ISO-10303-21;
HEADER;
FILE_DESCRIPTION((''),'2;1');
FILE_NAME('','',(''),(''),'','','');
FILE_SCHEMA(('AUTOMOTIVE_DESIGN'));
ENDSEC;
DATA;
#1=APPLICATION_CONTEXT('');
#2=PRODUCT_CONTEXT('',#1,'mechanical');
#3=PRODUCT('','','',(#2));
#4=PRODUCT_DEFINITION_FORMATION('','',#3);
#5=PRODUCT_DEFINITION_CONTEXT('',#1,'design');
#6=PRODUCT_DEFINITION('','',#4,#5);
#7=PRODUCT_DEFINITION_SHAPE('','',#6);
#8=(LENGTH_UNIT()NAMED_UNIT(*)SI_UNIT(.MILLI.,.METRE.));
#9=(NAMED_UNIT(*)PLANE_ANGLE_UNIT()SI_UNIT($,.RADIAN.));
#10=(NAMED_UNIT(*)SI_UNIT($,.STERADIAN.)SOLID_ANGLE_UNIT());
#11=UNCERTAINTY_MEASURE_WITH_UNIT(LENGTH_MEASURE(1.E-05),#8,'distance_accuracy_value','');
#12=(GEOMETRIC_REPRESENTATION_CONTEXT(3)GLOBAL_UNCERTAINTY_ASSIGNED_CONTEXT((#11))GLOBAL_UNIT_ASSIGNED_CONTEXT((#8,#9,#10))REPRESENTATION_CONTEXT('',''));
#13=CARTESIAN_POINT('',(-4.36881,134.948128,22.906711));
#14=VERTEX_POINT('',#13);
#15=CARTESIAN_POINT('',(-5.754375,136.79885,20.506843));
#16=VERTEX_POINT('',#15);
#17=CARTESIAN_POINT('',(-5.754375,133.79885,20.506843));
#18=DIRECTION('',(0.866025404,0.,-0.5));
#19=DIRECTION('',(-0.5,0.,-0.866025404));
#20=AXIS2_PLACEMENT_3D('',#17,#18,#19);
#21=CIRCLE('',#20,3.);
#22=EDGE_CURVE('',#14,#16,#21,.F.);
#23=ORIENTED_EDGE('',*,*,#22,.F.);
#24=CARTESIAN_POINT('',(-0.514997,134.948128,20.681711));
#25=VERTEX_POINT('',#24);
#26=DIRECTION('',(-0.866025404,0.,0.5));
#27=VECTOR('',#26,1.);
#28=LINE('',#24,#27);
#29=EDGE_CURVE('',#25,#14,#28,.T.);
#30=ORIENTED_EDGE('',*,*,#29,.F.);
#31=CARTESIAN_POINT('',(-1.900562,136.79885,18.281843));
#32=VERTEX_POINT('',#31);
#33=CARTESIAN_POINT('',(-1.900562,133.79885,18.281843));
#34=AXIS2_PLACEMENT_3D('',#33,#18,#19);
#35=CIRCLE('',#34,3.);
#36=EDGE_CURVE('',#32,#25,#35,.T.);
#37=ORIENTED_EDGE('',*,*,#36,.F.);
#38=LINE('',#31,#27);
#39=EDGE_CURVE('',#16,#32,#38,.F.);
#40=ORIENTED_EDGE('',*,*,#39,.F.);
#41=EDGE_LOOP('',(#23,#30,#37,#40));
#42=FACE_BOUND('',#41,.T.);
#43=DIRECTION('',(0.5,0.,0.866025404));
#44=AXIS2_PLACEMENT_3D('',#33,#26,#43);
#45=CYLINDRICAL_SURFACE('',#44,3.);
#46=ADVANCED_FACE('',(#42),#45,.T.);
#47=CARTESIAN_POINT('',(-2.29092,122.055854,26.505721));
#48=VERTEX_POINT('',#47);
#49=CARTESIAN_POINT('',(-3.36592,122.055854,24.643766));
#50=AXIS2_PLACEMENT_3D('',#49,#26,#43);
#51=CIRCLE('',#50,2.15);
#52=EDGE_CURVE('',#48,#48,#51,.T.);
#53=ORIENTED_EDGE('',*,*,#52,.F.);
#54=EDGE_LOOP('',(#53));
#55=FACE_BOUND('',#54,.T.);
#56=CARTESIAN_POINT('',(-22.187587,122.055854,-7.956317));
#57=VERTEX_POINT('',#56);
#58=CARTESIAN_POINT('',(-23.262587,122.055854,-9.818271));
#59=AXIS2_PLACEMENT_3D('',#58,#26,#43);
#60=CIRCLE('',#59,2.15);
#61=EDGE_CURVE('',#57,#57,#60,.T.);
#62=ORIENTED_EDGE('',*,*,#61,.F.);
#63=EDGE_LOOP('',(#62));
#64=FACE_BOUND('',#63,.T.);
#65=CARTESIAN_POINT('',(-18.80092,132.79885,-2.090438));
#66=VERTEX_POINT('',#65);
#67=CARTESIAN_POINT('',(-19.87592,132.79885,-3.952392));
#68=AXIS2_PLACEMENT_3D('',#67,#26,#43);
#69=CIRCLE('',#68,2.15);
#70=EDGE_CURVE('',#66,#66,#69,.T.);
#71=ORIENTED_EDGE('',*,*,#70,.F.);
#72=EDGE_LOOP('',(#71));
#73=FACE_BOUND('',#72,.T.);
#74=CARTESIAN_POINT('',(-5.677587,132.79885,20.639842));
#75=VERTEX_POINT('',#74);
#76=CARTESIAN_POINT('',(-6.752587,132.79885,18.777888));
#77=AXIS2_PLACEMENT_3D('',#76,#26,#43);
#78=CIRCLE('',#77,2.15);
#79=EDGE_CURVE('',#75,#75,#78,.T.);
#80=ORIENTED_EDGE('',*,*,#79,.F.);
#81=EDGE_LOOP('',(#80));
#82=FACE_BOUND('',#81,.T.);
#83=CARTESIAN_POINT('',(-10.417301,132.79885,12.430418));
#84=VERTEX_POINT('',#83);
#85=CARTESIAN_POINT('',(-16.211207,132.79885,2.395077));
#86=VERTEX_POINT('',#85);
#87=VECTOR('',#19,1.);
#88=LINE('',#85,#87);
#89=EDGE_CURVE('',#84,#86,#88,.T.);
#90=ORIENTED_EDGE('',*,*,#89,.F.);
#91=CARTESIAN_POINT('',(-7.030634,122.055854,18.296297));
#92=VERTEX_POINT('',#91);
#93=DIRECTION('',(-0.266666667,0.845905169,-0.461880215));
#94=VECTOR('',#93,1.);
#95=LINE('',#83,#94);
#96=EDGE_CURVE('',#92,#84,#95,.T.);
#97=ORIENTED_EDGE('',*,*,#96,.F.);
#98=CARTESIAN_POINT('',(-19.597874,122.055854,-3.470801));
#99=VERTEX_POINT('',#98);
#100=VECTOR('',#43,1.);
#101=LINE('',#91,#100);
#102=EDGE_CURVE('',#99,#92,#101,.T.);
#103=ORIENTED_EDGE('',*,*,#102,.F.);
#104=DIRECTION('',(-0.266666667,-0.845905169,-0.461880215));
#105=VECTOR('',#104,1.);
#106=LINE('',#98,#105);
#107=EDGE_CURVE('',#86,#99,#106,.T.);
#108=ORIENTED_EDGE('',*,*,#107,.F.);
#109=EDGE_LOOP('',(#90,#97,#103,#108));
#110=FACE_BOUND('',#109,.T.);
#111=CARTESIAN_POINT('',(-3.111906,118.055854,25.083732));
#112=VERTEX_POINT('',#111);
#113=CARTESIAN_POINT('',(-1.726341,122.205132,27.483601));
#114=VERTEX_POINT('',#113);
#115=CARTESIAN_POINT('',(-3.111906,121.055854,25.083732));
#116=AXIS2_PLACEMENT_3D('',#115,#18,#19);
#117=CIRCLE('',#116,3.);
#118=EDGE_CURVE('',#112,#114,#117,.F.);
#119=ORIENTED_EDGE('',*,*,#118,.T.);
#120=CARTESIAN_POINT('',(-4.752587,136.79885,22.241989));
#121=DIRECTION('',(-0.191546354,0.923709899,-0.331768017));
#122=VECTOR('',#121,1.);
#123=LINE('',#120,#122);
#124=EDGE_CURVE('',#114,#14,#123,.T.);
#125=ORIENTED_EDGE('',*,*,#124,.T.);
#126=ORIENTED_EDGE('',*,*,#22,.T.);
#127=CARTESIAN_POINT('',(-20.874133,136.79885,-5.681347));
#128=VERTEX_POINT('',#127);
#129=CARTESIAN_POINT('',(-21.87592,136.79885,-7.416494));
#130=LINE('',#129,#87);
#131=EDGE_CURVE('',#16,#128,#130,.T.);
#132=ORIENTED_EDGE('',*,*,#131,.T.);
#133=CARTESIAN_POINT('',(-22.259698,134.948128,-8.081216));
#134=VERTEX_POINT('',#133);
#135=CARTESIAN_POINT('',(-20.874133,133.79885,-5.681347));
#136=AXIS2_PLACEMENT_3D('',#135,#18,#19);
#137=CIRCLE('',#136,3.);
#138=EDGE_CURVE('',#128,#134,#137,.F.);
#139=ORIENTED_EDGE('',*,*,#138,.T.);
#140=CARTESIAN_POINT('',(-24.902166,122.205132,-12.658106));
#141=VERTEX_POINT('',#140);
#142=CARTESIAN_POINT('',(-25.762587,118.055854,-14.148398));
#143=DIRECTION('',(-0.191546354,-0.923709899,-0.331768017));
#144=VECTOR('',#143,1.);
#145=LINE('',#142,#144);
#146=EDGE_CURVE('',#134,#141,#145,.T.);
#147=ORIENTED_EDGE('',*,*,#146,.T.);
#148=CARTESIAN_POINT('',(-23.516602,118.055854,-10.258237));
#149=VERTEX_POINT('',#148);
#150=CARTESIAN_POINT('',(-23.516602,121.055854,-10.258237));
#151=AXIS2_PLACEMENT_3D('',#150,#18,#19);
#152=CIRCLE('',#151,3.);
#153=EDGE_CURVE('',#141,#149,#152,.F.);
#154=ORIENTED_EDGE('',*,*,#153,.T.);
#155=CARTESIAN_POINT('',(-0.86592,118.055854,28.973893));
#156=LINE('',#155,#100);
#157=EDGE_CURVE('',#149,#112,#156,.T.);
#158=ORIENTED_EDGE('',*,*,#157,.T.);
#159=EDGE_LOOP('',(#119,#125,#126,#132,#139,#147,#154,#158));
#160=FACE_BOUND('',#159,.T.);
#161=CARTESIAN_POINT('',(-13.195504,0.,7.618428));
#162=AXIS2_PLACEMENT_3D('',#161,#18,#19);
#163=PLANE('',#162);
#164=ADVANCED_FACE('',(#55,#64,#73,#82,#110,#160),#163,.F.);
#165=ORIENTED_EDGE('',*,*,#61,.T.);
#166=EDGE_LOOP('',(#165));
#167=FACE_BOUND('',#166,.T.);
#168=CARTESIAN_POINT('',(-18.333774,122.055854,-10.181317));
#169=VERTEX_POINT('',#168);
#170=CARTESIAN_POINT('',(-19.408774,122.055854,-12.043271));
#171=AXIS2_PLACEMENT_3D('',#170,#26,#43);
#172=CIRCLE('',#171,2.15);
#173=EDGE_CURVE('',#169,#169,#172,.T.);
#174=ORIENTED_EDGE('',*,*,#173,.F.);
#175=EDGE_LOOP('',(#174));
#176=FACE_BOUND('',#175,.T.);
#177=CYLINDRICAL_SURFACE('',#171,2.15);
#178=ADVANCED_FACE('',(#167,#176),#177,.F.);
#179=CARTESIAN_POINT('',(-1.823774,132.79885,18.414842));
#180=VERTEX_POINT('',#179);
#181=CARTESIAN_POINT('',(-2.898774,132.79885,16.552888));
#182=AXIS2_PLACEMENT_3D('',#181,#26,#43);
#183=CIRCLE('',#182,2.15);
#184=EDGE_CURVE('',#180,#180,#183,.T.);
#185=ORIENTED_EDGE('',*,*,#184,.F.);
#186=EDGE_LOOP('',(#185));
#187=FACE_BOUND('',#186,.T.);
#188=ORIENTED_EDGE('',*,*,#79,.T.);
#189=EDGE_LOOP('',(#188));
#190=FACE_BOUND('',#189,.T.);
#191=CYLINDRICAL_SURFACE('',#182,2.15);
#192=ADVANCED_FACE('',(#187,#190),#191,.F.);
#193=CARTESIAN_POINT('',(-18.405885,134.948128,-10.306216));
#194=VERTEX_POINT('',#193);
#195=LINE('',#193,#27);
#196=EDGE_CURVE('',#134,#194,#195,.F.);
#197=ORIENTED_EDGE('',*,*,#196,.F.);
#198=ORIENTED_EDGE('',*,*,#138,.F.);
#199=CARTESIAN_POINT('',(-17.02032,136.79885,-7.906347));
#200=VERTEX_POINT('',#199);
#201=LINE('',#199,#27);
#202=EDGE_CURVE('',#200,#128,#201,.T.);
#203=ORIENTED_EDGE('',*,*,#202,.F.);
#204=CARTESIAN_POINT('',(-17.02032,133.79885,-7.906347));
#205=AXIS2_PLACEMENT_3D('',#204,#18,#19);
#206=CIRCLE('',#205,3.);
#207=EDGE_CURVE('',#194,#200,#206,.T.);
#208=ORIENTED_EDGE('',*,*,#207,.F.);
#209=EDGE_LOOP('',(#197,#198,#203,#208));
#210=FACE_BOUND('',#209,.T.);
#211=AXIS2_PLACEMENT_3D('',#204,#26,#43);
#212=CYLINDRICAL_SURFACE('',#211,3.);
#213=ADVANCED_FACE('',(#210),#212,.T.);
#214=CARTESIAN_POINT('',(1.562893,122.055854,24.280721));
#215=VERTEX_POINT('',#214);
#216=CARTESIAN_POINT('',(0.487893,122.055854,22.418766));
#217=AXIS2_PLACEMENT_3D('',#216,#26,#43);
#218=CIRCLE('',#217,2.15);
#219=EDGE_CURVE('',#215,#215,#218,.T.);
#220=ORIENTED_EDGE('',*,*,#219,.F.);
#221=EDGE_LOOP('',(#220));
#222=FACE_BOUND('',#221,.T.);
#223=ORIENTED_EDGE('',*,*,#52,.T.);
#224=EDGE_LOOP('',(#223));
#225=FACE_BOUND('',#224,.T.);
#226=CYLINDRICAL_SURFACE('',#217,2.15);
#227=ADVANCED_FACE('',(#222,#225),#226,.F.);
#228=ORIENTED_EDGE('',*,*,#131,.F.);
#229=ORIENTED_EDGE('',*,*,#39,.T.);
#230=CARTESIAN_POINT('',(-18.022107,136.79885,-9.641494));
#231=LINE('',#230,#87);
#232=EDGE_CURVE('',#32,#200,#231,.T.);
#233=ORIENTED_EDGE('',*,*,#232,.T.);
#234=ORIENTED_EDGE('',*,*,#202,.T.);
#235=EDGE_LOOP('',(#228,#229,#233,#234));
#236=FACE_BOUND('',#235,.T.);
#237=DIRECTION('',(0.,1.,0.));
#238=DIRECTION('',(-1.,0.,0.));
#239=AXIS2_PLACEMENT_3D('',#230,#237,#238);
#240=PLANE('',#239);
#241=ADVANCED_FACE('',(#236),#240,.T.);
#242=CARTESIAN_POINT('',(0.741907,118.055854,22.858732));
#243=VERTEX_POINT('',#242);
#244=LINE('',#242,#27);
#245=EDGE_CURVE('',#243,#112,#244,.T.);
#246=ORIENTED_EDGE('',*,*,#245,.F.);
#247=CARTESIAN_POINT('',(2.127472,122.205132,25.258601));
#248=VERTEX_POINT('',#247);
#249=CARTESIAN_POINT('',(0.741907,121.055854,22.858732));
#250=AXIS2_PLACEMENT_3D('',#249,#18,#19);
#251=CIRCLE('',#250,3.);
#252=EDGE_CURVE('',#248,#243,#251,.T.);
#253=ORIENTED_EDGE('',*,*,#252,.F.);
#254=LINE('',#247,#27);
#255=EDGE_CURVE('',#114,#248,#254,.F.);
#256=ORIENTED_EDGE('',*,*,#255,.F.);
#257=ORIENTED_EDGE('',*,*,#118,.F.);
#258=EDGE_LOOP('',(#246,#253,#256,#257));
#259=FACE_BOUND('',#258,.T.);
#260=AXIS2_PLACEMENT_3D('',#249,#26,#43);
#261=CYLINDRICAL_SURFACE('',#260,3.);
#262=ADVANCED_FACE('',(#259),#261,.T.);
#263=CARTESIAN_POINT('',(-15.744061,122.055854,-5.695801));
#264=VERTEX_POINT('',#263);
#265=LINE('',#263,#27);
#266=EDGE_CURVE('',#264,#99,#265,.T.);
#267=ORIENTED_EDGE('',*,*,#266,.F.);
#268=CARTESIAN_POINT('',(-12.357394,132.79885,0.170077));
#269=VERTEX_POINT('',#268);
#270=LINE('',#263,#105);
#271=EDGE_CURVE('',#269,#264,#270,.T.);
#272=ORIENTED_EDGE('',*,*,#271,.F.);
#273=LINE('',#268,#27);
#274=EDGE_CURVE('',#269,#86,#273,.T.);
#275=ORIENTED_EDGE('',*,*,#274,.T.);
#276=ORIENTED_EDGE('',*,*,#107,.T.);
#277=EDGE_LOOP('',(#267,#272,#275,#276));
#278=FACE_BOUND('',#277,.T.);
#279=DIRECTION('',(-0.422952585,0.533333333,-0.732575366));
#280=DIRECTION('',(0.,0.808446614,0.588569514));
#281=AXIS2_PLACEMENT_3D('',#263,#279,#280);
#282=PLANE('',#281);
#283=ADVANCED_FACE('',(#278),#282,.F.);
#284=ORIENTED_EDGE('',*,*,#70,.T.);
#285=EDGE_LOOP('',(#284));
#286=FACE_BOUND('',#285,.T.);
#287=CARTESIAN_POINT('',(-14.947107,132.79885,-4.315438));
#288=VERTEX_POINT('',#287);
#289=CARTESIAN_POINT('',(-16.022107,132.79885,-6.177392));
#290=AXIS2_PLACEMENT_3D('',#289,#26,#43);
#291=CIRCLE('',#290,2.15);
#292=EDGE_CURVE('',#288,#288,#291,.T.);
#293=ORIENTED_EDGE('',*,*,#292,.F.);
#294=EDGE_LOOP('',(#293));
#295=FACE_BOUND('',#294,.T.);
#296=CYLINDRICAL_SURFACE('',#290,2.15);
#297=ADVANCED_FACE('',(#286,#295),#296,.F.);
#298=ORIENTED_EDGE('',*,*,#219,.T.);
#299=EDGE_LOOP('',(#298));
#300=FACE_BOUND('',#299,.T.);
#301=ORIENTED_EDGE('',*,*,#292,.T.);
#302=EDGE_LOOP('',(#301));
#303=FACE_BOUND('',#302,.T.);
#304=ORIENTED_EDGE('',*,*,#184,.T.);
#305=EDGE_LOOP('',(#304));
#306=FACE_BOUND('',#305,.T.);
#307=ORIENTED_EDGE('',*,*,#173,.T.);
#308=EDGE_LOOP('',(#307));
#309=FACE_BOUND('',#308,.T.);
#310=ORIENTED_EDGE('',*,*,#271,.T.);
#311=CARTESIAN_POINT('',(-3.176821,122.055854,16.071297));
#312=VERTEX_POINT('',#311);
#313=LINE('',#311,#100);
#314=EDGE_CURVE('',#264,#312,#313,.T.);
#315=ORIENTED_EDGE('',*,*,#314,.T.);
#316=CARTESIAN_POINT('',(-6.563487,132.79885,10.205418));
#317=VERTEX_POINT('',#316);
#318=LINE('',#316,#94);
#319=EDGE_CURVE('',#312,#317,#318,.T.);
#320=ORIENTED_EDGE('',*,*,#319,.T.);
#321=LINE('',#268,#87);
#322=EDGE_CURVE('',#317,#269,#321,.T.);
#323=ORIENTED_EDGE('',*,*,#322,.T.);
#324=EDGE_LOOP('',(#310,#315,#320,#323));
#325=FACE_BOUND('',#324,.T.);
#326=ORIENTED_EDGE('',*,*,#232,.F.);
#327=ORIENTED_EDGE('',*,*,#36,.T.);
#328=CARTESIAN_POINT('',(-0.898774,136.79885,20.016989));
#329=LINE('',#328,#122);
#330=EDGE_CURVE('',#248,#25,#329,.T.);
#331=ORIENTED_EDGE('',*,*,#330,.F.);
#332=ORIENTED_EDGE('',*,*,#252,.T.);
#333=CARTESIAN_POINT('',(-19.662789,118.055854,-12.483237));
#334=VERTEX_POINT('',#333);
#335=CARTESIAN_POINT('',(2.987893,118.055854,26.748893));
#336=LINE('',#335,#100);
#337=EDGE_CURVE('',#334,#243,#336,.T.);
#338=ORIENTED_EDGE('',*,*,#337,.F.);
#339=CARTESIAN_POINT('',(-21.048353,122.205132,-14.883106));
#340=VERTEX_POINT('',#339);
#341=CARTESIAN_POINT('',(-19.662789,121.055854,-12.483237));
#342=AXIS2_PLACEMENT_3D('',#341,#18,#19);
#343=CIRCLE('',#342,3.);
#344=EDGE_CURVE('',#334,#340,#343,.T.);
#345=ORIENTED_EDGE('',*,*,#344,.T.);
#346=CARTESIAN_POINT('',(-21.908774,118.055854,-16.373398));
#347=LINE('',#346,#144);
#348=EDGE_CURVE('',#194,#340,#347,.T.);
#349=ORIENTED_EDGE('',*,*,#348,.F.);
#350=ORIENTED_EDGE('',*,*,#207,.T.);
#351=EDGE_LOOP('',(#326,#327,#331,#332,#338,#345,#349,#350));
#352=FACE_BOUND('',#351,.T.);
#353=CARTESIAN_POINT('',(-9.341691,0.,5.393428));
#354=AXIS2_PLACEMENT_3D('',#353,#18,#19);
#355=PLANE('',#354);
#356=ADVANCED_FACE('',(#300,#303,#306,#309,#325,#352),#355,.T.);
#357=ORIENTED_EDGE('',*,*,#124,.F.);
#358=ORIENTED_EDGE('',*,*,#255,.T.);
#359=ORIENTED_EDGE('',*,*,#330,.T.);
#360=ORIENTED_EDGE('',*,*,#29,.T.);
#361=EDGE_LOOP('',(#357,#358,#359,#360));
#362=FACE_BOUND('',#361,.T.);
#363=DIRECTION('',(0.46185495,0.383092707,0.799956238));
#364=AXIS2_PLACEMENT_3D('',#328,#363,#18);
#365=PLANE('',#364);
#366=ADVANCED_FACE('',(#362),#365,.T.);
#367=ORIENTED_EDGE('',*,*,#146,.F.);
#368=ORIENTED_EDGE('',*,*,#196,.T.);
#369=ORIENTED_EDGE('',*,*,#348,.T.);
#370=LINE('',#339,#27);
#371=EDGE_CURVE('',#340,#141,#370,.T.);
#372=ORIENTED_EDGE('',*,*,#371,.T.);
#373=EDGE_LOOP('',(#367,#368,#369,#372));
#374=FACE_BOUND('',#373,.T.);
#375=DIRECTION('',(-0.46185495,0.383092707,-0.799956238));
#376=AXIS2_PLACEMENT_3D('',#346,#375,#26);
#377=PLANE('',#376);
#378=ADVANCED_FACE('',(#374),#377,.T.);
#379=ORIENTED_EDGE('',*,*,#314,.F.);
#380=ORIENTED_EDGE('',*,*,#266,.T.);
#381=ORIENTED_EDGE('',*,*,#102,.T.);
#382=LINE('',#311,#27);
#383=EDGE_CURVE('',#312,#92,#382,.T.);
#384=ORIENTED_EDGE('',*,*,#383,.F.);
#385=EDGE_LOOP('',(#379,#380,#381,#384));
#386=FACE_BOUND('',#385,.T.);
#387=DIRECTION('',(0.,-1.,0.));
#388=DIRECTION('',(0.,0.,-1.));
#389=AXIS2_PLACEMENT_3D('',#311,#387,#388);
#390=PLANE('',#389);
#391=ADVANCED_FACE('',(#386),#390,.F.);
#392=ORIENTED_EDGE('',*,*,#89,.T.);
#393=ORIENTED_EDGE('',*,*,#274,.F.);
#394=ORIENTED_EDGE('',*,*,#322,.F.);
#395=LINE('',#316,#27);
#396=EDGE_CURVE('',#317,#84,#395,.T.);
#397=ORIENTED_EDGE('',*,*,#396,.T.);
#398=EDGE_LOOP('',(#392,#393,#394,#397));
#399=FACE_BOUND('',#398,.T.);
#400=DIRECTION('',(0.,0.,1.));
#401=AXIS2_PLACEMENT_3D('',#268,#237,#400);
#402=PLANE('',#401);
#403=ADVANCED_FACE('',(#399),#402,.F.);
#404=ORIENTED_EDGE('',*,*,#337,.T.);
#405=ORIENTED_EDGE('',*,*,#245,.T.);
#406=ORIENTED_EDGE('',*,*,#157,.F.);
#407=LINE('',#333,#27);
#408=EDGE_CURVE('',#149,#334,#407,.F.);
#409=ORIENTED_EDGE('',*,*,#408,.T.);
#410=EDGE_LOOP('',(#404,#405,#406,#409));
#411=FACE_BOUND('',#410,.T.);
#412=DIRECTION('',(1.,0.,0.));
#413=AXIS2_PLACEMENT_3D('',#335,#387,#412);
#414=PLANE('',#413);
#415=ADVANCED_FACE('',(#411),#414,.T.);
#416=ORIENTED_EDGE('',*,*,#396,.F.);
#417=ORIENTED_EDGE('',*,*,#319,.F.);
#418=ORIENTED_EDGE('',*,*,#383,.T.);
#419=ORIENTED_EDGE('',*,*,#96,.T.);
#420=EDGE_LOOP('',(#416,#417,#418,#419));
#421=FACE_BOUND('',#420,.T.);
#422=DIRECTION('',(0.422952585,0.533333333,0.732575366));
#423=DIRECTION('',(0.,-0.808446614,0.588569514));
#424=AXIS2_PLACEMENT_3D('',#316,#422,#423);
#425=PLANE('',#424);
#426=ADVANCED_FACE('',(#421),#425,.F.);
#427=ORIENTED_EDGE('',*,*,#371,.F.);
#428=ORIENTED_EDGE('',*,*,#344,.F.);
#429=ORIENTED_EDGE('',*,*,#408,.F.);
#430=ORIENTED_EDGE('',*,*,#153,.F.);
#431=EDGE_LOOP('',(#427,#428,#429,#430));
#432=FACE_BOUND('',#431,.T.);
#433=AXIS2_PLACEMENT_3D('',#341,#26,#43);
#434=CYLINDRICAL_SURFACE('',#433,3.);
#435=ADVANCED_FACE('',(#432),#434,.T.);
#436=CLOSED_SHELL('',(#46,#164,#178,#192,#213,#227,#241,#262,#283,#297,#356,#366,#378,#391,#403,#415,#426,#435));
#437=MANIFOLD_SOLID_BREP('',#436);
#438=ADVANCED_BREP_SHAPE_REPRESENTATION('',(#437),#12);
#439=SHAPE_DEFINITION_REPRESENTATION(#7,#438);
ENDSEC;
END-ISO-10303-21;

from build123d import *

# Parameters (mm, degrees)
SKETCH1_R           = 2.15
BOSS_EXTRUDE1_DEPTH = 4.45
FILLET1_R           = 3


with BuildPart() as part:
    # Sketch1 → Boss-Extrude1 (new body)
    with BuildSketch(Plane(origin=(-13.195504222, 0, 7.618427915), x_dir=(0.5, 0, 0.866025404), z_dir=(-0.866025404, 0, 0.5))):
        Polygon((-25.134165871, 118.055853922), (-17.360832538, 136.798849573), (16.885834129, 136.798849573), (24.659167462, 118.055853922), align=None)
        with Locations((-13.360832538, 132.798849573)):
            Circle(SKETCH1_R, mode=Mode.SUBTRACT)
        with Locations((12.885834129, 132.798849573)):
            Circle(SKETCH1_R, mode=Mode.SUBTRACT)
        with Locations((19.659167462, 122.055853922)):
            Circle(SKETCH1_R, mode=Mode.SUBTRACT)
        with Locations((-20.134165871, 122.055853922)):
            Circle(SKETCH1_R, mode=Mode.SUBTRACT)
        Polygon((-12.804739093, 122.055853922), (-6.03140576, 132.798849573), (5.556407351, 132.798849573), (12.329740684, 122.055853922), align=None, mode=Mode.SUBTRACT)
    extrude(amount=-BOSS_EXTRUDE1_DEPTH)

    # Fillet1
    fillet1_edges = [part.edges().sort_by_distance(p)[0] for p in [
        (-23.835680634, 118.055853922, -15.260898232),
        (-19.949013967, 136.798849573, -8.528994094),
        (-2.825680634, 136.798849573, 21.129489235),
        (1.060986033, 118.055853922, 27.861393373),
    ]]
    fillet(fillet1_edges, radius=FILLET1_R)


solid = part.part
